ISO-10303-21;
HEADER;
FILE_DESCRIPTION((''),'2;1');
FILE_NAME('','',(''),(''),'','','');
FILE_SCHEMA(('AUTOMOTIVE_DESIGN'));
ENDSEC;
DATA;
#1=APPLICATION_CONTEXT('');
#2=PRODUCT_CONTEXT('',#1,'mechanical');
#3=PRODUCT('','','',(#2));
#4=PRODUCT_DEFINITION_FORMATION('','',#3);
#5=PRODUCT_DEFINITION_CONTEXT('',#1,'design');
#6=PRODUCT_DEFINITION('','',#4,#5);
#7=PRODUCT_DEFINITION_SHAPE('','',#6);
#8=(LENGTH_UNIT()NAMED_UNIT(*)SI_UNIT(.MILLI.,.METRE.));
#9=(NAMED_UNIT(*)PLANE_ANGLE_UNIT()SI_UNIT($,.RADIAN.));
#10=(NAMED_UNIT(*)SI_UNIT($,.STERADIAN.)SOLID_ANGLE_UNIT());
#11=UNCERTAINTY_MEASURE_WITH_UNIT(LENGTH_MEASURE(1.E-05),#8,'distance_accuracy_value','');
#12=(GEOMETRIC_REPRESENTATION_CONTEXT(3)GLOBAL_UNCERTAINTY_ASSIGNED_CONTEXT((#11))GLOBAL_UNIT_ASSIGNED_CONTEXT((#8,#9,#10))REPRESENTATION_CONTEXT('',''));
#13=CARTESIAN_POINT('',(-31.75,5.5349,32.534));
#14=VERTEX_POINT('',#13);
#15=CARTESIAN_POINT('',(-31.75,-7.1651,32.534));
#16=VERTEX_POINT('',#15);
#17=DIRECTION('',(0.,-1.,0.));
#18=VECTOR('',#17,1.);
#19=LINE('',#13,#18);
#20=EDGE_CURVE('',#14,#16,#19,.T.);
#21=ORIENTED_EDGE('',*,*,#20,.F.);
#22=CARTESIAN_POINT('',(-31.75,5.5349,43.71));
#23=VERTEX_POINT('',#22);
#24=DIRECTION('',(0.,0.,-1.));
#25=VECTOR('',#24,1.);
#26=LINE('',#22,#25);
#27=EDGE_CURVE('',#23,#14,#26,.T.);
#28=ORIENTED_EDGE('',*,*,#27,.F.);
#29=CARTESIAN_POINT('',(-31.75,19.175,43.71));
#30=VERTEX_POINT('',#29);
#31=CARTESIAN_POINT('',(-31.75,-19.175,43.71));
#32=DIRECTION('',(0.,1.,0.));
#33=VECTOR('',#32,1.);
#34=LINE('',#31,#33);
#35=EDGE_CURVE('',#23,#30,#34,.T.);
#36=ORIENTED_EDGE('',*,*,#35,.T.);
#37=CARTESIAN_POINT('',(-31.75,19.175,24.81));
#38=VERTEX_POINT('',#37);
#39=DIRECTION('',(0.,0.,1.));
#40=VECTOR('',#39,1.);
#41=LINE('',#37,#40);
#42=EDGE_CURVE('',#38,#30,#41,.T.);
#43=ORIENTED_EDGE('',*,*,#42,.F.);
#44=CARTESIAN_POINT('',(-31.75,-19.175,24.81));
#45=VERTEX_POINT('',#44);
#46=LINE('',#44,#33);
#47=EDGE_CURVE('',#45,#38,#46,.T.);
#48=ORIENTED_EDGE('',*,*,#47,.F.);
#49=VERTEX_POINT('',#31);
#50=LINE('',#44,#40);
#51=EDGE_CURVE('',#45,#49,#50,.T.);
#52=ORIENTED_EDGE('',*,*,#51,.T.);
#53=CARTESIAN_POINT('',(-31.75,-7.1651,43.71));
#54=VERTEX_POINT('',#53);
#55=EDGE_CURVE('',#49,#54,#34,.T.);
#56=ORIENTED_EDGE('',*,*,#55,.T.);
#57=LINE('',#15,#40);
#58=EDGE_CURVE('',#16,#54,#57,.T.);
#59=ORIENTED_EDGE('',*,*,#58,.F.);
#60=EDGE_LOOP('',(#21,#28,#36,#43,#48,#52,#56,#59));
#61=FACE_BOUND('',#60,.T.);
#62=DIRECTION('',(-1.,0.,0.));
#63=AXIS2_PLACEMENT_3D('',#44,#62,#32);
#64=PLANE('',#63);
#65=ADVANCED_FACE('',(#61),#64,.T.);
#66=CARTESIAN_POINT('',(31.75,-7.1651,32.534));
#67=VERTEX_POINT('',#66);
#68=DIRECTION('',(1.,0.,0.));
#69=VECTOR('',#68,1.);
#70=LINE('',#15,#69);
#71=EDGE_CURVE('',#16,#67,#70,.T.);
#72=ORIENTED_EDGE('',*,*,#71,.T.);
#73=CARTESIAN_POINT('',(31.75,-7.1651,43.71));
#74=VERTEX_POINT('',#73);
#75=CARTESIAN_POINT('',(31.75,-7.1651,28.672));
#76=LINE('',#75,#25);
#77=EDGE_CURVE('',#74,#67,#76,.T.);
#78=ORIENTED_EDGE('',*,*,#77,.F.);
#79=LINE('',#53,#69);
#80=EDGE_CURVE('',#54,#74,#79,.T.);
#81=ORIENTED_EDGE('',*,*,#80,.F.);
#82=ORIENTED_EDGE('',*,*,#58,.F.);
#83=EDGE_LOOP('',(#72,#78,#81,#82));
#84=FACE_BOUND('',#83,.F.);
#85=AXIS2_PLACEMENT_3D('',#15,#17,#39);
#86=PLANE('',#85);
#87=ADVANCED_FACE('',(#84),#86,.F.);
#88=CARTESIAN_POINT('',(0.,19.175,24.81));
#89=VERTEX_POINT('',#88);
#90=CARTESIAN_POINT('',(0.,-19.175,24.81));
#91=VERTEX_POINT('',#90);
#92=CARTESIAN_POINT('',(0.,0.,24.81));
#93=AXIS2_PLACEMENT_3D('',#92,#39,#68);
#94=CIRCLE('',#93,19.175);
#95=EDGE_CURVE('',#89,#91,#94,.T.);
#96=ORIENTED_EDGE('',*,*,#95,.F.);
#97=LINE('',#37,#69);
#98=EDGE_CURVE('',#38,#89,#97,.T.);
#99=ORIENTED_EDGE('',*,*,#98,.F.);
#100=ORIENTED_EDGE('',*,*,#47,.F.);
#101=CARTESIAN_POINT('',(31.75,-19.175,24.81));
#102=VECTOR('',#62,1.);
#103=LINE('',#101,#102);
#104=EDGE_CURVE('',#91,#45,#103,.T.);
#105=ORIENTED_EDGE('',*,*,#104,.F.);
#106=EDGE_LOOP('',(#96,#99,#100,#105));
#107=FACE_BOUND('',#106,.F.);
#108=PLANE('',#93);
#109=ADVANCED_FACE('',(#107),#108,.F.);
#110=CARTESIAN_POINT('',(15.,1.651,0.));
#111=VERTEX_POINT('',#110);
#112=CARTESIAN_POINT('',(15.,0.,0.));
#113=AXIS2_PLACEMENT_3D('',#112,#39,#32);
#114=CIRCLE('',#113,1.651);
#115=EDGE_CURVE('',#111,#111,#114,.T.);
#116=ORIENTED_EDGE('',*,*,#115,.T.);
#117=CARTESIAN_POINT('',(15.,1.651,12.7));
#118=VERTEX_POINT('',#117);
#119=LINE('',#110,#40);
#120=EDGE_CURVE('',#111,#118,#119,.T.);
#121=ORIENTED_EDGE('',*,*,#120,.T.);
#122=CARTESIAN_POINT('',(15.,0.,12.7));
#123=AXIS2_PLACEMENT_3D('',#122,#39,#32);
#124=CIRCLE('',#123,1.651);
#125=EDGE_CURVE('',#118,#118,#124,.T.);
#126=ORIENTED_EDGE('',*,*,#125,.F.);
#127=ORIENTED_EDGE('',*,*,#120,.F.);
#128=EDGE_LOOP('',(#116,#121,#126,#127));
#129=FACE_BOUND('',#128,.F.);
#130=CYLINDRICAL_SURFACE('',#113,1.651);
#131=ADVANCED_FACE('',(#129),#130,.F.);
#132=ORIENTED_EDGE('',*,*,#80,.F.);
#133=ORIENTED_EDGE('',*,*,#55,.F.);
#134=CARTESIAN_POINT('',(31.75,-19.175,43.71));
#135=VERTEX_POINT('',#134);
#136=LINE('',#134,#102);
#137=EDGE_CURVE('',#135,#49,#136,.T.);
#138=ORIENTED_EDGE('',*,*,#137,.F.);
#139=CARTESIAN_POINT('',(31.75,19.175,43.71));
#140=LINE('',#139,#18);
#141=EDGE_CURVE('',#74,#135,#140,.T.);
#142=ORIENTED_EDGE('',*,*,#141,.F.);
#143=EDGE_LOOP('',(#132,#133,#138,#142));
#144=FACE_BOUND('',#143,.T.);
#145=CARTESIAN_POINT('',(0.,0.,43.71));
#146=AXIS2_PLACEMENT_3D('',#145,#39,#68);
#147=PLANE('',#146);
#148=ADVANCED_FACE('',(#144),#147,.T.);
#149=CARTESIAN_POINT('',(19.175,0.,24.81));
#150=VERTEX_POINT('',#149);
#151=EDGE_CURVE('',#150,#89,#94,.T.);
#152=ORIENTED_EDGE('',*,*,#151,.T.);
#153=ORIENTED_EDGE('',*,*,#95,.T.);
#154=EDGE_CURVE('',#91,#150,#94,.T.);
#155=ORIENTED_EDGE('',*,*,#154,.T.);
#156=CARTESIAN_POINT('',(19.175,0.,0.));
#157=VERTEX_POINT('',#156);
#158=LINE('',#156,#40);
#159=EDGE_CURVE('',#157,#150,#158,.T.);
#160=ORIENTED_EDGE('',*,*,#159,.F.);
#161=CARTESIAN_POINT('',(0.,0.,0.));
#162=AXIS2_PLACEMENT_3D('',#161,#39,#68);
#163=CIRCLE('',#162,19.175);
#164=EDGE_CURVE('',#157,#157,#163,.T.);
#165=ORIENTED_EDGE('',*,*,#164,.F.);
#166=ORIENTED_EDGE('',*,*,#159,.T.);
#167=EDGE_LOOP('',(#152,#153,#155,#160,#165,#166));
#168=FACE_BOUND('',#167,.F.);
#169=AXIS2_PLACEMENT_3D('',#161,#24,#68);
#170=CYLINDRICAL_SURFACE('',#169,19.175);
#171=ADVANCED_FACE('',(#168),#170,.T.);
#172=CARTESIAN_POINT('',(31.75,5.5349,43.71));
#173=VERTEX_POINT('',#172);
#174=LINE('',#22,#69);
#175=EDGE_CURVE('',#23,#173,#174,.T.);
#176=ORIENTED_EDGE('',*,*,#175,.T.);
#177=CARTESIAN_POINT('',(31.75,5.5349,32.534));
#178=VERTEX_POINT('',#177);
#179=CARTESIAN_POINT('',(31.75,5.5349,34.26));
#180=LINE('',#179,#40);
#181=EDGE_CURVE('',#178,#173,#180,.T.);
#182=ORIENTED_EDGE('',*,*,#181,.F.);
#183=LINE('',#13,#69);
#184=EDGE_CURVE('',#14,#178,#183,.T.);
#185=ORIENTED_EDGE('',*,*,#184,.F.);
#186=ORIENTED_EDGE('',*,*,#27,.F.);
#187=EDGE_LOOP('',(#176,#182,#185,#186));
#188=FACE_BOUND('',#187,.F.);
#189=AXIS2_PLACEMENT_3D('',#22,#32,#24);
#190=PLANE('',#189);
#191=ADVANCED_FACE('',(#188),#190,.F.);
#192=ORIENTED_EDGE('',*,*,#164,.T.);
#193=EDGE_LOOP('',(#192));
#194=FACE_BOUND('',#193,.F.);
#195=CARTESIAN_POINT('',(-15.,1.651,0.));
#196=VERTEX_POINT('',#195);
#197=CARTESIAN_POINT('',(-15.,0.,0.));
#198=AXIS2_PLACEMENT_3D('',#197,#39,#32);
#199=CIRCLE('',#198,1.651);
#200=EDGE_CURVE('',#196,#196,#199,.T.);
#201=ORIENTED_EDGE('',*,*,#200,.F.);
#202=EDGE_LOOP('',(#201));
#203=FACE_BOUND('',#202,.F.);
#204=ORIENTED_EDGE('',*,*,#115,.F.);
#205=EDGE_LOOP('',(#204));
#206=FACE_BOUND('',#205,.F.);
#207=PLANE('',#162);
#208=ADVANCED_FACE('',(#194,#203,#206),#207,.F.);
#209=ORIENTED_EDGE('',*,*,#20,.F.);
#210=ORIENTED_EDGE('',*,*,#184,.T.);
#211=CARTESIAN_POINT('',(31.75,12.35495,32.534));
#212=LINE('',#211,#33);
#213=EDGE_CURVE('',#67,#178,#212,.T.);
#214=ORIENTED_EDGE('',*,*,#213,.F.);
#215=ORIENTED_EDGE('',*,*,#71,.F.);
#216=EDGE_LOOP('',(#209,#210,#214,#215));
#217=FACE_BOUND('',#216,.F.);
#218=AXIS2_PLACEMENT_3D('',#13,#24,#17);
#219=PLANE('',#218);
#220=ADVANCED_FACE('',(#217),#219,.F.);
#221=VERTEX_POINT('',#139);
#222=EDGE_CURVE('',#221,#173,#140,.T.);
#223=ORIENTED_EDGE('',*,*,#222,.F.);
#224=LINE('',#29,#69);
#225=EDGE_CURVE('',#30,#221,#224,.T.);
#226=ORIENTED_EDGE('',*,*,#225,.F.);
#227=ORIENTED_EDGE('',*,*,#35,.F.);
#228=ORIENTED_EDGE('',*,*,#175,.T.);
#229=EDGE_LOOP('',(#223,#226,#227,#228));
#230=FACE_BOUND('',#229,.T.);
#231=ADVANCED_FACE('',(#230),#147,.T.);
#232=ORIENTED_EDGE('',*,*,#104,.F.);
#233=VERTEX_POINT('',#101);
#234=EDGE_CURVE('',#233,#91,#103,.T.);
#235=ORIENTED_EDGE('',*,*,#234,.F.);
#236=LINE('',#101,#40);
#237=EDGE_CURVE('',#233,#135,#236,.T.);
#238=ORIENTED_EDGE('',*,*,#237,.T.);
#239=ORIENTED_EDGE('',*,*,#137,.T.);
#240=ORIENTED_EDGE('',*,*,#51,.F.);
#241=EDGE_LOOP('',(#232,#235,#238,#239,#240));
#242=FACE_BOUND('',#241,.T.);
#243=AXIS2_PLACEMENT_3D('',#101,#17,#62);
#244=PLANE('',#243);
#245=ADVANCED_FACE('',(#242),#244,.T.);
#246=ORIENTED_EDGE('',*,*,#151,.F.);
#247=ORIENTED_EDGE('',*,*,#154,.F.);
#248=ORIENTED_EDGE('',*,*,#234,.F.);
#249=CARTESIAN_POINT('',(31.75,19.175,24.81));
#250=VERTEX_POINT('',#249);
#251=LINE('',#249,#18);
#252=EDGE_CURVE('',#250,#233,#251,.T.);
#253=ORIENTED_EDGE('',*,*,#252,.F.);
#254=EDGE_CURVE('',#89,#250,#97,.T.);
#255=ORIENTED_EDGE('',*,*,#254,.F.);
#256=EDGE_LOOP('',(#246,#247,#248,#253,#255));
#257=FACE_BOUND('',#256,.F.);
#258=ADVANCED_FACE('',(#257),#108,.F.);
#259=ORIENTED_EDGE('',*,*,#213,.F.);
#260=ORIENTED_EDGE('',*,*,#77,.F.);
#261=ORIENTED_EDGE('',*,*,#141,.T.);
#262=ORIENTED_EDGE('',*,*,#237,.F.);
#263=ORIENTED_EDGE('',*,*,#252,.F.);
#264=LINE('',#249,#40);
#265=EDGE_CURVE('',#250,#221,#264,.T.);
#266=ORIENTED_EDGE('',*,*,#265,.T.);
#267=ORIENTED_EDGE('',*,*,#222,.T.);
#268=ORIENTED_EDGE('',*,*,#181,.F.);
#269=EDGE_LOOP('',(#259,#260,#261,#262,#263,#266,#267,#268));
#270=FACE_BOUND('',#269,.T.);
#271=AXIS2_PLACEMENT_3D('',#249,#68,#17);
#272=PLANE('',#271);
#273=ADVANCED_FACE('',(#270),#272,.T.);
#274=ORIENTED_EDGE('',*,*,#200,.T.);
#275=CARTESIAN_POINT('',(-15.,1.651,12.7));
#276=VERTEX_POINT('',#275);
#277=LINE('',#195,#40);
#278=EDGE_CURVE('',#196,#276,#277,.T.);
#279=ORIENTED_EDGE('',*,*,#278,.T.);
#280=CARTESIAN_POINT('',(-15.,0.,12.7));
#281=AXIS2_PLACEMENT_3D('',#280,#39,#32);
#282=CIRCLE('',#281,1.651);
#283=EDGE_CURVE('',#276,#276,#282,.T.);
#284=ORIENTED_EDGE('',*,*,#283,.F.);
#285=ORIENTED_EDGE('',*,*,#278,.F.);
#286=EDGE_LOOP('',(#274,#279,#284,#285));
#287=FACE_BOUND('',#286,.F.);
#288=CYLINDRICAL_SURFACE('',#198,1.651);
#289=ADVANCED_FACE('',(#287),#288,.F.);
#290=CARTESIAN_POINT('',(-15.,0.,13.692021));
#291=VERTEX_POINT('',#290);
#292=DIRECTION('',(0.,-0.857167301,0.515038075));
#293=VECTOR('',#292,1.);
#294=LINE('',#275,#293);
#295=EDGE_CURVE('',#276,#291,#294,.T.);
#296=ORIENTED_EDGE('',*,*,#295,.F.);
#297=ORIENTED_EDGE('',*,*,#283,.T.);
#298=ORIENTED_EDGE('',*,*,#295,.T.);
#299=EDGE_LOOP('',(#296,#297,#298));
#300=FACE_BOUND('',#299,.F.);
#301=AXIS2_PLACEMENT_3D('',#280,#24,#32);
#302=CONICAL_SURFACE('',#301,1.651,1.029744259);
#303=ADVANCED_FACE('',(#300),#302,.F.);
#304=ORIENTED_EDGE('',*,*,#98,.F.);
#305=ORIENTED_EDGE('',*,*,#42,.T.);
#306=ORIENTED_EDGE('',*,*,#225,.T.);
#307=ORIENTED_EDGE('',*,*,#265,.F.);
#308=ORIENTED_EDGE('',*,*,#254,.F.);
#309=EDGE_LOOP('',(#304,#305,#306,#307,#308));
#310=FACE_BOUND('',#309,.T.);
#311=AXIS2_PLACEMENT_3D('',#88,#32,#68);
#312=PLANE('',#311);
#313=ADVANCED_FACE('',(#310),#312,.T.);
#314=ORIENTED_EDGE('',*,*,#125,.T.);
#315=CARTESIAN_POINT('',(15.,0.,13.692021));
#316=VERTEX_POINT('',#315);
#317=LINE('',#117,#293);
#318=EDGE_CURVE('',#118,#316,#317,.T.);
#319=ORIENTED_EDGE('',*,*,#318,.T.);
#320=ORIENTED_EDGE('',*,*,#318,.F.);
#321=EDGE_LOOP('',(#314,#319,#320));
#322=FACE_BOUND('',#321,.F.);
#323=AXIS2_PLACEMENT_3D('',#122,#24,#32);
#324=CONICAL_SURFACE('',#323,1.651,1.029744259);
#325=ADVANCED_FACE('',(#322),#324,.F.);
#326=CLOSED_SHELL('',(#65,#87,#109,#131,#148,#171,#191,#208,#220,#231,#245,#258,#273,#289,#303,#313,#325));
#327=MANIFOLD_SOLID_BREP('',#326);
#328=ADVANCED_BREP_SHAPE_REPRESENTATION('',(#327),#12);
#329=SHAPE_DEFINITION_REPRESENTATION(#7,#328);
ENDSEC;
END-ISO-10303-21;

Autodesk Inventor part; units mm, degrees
ref_plane "YZ Plane" through (0, 0, 0) normal (1, 0, 0) x (0, 1, 0)
ref_plane "XZ Plane" through (0, 0, 0) normal (0, 1, 0) x (-1, 0, 0)
ref_plane "XY Plane" through (0, 0, 0) normal (0, 0, 1) x (1, 0, 0)
sketch "Sketch1" plane through (0, 0, 0) normal (0, 0, 1) x (1, 0, 0)
  circle A0 centre (0, 0) radius 19.175
  dimension "d0" = 38.35
extrude "Extrusion1" add sketch "Sketch1" along normal blind 24.81
sketch "Sketch2" plane through (0, 0, 24.81) normal (0, 0, 1) x (1, 0, 0)
  circle A0 centre (0, 0) radius 19.175 projected
  line L0 (-31.75, 19.175) -> (31.75, 19.175)
  line L1 (31.75, 19.175) -> (31.75, -19.175)
  line L2 (31.75, -19.175) -> (-31.75, -19.175)
  line L3 (-31.75, -19.175) -> (-31.75, 19.175)
  point P0 (0, -19.175)
  dimension "d3" = 63.5
extrude "Extrusion2" add sketch "Sketch2" along normal blind 18.9
sketch "Sketch3" plane through (0, 0, 0) normal (0, 0, -1) x (-1, 0, 0)
  circle A0 centre (0, 0) radius 19.175 projected
  line L0 (-15, 0) -> (15, 0)
  dimension "d6" = 30
hole "Hole1" at (15, 0, 0) at (-15, 0, 0) direction (0, 0, 1) diameter 3.302 depth 12.7 tip angle 118 thread size "8-32 UNC" class "2B" standard "ANSI Unified Screw Threads"
sketch "Sketch4" plane through (-31.75, -19.175, 24.81) normal (-1, 0, 0) x (0, 0, 1)
  line L0 (18.9, 0) -> (18.9, 38.35) projected
  line L1 (18.9, 24.7099) -> (7.724, 24.7099)
  line L2 (7.724, 24.7099) -> (7.724, 12.0099)
  line L3 (7.724, 12.0099) -> (18.9, 12.0099)
  line L4 (18.9, 12.0099) -> (18.9, 24.7099)
  point P0 (-24.81, 19.175)
  dimension "d14" = 12.7
  dimension "d15" = 11.176
extrude "Extrusion3" cut sketch "Sketch4" against normal through all
properties part number "gripper" material "Aluminum-6061"
